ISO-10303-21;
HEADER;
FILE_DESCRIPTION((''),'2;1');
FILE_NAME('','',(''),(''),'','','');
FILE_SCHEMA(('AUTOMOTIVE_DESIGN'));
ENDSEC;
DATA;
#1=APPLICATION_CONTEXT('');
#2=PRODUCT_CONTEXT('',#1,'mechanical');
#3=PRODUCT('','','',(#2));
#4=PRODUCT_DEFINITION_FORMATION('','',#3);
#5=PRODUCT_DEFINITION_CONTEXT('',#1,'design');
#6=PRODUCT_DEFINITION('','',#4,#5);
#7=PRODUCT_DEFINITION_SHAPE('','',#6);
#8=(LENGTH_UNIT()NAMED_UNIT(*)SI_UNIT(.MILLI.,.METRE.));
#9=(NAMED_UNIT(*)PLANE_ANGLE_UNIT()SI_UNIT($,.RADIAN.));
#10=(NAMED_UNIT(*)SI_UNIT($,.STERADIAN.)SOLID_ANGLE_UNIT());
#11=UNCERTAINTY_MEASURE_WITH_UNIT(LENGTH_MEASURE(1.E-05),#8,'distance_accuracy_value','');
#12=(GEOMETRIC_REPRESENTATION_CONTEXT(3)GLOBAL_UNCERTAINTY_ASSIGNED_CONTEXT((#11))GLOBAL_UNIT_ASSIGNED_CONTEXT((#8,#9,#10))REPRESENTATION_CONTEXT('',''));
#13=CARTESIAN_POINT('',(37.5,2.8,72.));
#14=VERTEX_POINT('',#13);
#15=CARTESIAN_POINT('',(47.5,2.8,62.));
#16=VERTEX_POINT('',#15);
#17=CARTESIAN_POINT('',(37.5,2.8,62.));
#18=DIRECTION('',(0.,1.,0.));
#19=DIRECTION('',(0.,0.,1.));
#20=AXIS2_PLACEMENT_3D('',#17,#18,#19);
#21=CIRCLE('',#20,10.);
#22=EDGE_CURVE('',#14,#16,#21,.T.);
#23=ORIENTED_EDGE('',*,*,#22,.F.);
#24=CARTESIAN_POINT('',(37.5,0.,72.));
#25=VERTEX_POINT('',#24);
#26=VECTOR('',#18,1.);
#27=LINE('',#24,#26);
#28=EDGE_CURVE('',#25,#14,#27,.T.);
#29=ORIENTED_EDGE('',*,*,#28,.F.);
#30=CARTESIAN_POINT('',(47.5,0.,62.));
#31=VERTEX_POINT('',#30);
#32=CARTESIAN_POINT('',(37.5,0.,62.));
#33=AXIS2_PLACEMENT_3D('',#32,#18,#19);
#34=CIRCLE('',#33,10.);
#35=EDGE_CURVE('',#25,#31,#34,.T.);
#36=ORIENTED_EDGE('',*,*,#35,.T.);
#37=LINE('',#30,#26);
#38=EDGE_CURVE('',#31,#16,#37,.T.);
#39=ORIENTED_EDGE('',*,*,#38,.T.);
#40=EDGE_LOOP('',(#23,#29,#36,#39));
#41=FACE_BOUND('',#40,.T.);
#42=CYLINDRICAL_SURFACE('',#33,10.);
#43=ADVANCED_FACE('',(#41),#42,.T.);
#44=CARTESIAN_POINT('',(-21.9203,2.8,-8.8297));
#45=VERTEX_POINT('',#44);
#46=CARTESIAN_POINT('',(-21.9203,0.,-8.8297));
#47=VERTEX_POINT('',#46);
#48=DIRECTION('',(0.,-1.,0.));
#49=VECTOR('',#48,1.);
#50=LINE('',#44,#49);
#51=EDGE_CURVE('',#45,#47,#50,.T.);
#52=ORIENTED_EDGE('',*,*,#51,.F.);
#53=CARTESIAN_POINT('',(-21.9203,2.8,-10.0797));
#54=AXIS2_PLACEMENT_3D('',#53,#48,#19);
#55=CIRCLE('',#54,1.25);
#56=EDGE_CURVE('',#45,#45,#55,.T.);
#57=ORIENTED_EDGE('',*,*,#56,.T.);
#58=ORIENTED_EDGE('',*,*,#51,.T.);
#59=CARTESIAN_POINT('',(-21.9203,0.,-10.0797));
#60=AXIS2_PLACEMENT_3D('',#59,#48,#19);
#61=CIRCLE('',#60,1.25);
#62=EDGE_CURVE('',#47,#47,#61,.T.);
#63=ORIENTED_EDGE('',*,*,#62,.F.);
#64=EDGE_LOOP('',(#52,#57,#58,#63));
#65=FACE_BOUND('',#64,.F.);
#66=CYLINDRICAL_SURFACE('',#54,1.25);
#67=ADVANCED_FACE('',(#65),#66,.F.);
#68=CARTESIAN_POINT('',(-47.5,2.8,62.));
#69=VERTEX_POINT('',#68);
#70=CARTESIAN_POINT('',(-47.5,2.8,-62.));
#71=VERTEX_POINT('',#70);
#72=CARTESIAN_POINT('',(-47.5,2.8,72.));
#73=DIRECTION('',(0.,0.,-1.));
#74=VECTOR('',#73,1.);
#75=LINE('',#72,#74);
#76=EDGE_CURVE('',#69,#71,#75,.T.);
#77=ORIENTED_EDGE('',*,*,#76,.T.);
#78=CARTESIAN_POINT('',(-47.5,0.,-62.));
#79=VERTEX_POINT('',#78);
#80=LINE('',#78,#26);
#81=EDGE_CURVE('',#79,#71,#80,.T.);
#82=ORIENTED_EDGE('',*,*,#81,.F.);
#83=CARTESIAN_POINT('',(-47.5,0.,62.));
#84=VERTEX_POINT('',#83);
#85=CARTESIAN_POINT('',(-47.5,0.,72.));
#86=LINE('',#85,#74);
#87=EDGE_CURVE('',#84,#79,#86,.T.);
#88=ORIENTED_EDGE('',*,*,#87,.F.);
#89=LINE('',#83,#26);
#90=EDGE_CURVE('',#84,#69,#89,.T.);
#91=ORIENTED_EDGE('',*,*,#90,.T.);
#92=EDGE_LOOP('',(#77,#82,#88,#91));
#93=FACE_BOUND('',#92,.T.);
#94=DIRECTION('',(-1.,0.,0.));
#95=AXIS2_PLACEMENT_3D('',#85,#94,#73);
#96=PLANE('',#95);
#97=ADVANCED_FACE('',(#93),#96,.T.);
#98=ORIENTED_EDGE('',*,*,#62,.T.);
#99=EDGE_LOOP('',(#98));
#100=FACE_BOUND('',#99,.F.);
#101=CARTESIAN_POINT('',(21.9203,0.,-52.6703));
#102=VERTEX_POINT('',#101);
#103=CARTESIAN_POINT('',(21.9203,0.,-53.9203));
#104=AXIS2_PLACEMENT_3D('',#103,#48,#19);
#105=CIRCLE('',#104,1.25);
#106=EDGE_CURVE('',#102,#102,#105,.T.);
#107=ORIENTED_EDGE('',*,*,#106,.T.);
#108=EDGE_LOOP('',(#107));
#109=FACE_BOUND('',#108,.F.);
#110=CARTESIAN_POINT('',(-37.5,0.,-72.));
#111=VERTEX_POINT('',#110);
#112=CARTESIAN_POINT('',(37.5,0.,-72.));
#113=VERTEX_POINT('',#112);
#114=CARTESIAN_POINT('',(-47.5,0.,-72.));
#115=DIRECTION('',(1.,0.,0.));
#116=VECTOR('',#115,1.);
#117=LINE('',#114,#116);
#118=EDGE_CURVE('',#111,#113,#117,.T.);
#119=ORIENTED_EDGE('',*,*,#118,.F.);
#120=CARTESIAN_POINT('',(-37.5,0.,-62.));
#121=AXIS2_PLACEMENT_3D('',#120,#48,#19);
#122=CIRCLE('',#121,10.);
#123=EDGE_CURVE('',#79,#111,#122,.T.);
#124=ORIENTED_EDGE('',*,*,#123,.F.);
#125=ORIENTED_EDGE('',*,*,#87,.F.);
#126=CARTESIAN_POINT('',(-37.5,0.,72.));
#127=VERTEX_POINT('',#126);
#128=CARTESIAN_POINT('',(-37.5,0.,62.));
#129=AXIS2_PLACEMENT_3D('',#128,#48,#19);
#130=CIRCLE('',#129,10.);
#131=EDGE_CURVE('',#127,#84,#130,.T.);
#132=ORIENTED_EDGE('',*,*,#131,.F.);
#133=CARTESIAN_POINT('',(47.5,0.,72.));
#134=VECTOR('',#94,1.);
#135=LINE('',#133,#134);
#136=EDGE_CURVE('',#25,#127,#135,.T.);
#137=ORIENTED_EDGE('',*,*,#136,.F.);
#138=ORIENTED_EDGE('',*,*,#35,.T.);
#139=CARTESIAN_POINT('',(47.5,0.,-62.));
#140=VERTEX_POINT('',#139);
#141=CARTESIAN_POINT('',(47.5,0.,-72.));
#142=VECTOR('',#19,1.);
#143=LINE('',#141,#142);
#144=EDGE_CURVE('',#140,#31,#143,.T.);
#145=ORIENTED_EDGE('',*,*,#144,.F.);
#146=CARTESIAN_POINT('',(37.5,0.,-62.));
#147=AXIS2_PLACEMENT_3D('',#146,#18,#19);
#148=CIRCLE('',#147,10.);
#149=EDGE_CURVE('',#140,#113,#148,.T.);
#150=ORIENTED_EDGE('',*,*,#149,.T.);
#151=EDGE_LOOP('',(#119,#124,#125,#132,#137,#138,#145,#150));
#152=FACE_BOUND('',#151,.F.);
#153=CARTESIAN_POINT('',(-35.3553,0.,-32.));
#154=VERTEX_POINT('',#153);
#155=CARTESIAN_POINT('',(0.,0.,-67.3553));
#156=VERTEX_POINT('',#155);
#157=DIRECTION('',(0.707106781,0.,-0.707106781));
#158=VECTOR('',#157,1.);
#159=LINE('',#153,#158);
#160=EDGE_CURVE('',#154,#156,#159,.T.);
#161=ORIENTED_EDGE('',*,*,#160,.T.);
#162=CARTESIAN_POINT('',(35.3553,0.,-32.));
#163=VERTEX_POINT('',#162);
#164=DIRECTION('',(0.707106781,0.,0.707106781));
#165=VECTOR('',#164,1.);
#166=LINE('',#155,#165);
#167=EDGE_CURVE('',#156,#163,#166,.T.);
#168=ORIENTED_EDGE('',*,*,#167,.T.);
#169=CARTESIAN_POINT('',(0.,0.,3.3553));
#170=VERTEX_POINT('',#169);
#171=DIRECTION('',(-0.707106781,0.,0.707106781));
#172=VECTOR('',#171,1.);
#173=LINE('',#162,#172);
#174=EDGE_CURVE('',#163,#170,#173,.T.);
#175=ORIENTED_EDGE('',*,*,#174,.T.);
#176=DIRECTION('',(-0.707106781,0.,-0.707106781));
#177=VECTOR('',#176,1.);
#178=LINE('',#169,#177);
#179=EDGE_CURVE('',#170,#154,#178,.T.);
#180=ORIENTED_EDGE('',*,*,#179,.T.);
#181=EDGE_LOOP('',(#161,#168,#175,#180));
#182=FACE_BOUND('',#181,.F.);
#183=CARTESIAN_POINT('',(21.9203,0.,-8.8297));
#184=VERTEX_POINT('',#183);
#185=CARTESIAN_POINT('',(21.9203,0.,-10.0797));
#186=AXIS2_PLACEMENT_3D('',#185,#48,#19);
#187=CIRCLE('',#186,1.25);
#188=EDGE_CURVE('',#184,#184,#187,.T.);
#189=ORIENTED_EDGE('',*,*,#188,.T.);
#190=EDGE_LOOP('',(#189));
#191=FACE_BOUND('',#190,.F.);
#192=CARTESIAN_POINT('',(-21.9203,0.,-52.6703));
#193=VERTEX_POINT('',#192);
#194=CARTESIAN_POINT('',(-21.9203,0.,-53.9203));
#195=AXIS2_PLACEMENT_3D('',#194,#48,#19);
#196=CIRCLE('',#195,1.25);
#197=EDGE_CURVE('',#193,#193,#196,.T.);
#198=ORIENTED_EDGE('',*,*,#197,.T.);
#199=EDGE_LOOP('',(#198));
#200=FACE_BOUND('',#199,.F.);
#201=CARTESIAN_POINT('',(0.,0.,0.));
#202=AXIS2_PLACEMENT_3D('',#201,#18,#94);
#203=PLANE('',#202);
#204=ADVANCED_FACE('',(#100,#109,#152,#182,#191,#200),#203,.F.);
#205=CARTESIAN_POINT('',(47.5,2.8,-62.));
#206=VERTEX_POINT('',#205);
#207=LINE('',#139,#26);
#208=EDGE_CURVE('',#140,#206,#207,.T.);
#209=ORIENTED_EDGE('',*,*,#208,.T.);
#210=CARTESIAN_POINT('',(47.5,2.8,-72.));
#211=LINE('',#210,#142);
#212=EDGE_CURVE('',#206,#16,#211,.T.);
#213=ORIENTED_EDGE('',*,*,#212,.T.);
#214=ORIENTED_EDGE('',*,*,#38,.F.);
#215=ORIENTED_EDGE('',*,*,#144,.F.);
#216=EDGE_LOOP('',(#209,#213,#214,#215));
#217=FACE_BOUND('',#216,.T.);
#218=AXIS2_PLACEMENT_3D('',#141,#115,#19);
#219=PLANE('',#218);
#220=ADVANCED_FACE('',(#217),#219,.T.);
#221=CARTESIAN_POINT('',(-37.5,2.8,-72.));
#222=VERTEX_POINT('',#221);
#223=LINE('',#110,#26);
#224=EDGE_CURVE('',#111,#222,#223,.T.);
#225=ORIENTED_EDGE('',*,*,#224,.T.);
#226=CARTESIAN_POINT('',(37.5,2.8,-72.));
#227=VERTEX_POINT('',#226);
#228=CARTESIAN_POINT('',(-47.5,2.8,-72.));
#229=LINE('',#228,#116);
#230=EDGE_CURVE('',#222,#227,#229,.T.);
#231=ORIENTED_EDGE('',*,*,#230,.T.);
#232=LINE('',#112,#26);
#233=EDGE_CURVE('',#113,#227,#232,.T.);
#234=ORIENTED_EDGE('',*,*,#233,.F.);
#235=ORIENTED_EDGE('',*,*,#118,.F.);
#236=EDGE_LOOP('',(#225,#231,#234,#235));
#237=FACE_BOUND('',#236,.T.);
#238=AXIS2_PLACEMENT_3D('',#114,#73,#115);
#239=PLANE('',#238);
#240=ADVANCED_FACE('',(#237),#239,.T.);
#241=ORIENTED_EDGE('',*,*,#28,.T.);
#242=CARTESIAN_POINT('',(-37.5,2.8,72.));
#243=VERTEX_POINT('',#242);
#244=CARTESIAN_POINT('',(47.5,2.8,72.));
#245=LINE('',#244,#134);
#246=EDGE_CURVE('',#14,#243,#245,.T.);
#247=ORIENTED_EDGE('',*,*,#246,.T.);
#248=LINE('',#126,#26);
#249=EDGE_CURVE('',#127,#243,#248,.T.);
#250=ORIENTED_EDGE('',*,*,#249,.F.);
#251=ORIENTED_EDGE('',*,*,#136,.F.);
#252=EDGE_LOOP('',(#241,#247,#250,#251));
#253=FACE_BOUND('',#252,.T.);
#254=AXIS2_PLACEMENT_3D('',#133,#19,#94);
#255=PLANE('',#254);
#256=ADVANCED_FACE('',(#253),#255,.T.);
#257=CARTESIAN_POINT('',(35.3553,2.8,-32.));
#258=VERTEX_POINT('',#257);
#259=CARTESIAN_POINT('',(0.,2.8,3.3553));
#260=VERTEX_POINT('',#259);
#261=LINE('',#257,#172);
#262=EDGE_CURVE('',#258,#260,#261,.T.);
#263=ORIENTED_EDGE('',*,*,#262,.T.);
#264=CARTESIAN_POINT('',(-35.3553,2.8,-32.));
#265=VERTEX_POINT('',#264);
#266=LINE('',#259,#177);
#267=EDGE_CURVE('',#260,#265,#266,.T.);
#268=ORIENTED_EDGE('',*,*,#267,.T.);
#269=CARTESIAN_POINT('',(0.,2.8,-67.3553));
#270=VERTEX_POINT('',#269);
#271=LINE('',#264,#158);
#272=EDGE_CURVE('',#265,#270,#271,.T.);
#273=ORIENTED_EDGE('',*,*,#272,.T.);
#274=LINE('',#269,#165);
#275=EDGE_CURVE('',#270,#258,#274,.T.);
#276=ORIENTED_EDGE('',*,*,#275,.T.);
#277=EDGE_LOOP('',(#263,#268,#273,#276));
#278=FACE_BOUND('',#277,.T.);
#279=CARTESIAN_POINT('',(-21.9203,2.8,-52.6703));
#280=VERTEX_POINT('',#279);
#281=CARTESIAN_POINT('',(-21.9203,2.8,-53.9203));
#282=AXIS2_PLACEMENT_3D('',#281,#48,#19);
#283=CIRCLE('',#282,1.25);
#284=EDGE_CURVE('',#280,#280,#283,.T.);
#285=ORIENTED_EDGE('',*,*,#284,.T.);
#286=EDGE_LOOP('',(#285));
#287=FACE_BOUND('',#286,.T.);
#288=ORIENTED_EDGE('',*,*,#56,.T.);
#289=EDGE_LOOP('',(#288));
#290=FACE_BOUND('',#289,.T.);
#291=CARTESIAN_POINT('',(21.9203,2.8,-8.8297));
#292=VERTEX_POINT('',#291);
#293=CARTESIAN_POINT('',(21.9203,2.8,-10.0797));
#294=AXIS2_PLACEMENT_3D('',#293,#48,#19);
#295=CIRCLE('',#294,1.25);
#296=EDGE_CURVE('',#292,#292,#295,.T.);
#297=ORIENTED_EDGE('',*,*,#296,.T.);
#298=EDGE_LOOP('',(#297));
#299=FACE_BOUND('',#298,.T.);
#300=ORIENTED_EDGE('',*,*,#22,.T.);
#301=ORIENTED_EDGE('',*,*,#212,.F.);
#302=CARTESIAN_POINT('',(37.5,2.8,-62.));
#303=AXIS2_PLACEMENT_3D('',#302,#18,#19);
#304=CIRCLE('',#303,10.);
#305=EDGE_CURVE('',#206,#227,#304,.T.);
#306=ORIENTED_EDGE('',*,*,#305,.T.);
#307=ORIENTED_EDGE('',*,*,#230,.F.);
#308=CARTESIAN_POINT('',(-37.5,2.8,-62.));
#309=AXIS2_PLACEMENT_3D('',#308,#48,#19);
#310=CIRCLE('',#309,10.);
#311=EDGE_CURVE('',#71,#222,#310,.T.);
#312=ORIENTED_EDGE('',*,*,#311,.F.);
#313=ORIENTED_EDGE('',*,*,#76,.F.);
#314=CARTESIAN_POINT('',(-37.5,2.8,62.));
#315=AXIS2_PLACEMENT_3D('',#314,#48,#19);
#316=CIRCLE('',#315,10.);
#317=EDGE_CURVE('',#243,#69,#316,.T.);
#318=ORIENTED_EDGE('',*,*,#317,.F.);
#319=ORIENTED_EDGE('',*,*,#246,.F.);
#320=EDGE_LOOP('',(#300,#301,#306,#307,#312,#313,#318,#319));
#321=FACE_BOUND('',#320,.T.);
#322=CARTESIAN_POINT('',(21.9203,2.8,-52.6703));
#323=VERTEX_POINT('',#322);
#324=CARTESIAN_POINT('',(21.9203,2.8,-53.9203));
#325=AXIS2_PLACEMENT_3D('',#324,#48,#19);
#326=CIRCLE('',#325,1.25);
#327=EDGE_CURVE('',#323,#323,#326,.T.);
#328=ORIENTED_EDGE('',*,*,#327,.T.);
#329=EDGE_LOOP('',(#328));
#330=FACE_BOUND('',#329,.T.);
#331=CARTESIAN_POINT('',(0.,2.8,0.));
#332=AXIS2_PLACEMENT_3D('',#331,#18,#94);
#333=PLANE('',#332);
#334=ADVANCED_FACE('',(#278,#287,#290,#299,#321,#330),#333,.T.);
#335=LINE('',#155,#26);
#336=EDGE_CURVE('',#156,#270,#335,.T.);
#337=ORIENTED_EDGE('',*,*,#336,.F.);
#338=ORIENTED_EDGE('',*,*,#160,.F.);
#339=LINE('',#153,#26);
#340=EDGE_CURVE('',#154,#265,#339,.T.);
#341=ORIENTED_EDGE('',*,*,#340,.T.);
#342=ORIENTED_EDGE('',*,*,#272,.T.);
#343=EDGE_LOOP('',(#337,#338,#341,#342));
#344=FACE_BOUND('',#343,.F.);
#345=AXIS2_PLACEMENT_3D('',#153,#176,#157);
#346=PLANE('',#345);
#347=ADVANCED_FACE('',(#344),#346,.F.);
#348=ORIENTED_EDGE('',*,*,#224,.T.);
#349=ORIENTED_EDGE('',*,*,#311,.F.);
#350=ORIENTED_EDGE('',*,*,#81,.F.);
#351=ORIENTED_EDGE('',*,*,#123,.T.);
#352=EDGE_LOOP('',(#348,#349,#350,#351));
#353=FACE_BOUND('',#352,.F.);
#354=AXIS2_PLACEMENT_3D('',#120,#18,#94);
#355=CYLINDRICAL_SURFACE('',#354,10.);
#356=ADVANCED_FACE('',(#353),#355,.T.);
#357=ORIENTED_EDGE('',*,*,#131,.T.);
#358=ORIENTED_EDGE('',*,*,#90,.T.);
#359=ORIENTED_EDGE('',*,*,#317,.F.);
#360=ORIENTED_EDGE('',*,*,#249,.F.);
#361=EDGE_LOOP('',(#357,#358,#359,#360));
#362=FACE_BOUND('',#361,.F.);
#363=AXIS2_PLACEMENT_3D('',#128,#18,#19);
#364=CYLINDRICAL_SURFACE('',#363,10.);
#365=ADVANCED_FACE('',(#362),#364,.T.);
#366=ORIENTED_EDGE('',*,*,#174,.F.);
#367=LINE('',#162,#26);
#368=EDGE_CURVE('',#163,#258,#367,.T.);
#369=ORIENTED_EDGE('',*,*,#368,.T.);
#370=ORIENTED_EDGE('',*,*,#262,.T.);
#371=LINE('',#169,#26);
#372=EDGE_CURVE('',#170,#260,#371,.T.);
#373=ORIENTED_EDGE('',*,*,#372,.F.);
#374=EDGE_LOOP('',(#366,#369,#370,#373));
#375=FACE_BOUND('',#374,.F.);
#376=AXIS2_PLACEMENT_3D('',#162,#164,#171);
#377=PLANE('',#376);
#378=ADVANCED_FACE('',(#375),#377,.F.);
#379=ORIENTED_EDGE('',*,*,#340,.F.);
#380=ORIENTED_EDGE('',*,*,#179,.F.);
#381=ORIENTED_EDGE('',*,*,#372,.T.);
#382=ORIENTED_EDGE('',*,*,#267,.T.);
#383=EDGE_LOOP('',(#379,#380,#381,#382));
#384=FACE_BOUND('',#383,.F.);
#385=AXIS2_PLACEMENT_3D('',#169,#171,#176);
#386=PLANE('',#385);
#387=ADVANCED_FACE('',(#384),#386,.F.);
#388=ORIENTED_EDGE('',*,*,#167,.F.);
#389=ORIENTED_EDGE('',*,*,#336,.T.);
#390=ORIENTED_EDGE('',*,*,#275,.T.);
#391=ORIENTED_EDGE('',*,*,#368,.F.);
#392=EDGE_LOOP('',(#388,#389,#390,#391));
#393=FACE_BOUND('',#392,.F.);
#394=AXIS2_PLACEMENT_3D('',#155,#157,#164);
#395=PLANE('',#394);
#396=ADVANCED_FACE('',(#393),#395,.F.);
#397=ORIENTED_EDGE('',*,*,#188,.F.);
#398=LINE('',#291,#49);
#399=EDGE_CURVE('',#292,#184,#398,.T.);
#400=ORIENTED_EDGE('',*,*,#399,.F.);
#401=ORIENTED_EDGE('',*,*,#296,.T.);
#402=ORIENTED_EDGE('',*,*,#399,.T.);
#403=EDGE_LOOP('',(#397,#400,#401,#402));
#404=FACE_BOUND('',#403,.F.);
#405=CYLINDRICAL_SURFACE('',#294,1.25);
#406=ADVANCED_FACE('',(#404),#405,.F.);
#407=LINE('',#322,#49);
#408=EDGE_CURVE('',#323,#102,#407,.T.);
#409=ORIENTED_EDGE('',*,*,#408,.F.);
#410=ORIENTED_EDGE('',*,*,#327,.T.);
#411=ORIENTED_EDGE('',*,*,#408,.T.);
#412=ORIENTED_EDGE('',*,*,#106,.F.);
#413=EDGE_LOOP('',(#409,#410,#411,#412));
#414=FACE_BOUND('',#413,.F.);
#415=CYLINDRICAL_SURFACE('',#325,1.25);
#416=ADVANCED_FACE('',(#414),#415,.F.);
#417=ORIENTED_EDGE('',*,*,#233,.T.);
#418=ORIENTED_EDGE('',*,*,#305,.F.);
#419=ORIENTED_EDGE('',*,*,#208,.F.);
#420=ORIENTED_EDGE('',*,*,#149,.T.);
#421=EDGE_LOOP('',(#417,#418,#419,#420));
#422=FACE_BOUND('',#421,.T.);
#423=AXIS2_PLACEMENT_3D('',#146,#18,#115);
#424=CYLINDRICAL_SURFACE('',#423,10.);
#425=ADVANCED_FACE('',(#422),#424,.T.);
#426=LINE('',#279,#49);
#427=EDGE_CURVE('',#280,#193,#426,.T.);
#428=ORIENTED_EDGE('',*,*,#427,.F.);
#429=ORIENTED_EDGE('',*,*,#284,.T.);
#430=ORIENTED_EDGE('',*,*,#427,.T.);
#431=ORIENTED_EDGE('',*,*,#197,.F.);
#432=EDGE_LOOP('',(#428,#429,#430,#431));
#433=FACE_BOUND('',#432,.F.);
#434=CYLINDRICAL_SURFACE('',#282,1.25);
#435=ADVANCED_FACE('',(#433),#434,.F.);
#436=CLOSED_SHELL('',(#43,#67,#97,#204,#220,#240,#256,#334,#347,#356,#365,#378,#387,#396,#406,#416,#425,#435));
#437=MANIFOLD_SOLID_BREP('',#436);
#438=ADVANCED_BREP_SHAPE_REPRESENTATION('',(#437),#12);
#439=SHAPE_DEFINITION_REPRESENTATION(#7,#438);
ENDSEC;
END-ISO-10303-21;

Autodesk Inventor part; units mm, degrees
ref_plane "YZ Plane" through (0, 0, 0) normal (1, 0, 0) x (0, 1, 0)
ref_plane "XZ Plane" through (0, 0, 0) normal (0, 1, 0) x (-1, 0, 0)
ref_plane "XY Plane" through (0, 0, 0) normal (0, 0, 1) x (1, 0, 0)
sketch "Sketch1" plane through (0, 0, 0) normal (0, 1, 0) x (-1, 0, 0)
  line L0 (-47.5, 72) -> (47.5, 72)
  line L1 (47.5, 72) -> (47.5, -72)
  line L2 (47.5, -72) -> (-47.5, -72)
  line L3 (-47.5, -72) -> (-47.5, 72)
  line L4 (-47.5, 72) -> (47.5, -72) construction
  line L5 (47.5, 72) -> (-47.5, -72) construction
  line L6 (0, 3.3553) -> (35.3553, -32)
  line L7 (35.3553, -32) -> (0, -67.3553)
  line L8 (0, -67.3553) -> (-35.3553, -32)
  line L9 (-35.3553, -32) -> (0, 3.3553)
  line L10 (0, 3.3553) -> (0, -67.3553) construction
  line L11 (35.3553, -32) -> (-35.3553, -32) construction
  point P0 (0, 0)
  point P1 (0, -32)
  point P2 (0, -32)
  point P3 (0, 0)
  dimension "d0" = 95
  dimension "d1" = 144
  dimension "d2" = 50
  dimension "d3" = 40
extrude "Extrusion1" add sketch "Sketch1" along normal blind 2.8
sketch "Sketch2" plane through (0, 2.8, 0) normal (0, 1, 0) x (1, 0, 0)
  line L0 (-35.3553, 32) -> (0, 67.3553) construction
  line L1 (0, 67.3553) -> (35.3553, 32) construction
  line L2 (35.3553, 32) -> (0, -3.3553) construction
  line L3 (0, -3.3553) -> (-35.3553, 32) construction
  line L4 (0, 75.8406) -> (-43.8406, 32)
  line L5 (-43.8406, 32) -> (0, -11.8406)
  line L6 (0, -11.8406) -> (43.8406, 32)
  line L7 (43.8406, 32) -> (0, 75.8406)
  point P0 (0, 0)
  point P1 (-21.9203, 53.9203)
  point P2 (21.9203, 53.9203)
  point P3 (21.9203, 10.0797)
  point P4 (-21.9203, 10.0797)
  dimension "d6" = 6
hole "Hole1" at (-21.9203, 2.8, -53.9203) at (21.9203, 2.8, -53.9203) at (21.9203, 2.8, -10.0797) at (-21.9203, 2.8, -10.0797) direction (0, -1, 0) diameter 2.5 end through all
fillet "Fillet1" radius 10 4 edges at (-47.5, 1.4, 72) (47.5, 1.4, 72) (47.5, 1.4, -72) (-47.5, 1.4, -72)
